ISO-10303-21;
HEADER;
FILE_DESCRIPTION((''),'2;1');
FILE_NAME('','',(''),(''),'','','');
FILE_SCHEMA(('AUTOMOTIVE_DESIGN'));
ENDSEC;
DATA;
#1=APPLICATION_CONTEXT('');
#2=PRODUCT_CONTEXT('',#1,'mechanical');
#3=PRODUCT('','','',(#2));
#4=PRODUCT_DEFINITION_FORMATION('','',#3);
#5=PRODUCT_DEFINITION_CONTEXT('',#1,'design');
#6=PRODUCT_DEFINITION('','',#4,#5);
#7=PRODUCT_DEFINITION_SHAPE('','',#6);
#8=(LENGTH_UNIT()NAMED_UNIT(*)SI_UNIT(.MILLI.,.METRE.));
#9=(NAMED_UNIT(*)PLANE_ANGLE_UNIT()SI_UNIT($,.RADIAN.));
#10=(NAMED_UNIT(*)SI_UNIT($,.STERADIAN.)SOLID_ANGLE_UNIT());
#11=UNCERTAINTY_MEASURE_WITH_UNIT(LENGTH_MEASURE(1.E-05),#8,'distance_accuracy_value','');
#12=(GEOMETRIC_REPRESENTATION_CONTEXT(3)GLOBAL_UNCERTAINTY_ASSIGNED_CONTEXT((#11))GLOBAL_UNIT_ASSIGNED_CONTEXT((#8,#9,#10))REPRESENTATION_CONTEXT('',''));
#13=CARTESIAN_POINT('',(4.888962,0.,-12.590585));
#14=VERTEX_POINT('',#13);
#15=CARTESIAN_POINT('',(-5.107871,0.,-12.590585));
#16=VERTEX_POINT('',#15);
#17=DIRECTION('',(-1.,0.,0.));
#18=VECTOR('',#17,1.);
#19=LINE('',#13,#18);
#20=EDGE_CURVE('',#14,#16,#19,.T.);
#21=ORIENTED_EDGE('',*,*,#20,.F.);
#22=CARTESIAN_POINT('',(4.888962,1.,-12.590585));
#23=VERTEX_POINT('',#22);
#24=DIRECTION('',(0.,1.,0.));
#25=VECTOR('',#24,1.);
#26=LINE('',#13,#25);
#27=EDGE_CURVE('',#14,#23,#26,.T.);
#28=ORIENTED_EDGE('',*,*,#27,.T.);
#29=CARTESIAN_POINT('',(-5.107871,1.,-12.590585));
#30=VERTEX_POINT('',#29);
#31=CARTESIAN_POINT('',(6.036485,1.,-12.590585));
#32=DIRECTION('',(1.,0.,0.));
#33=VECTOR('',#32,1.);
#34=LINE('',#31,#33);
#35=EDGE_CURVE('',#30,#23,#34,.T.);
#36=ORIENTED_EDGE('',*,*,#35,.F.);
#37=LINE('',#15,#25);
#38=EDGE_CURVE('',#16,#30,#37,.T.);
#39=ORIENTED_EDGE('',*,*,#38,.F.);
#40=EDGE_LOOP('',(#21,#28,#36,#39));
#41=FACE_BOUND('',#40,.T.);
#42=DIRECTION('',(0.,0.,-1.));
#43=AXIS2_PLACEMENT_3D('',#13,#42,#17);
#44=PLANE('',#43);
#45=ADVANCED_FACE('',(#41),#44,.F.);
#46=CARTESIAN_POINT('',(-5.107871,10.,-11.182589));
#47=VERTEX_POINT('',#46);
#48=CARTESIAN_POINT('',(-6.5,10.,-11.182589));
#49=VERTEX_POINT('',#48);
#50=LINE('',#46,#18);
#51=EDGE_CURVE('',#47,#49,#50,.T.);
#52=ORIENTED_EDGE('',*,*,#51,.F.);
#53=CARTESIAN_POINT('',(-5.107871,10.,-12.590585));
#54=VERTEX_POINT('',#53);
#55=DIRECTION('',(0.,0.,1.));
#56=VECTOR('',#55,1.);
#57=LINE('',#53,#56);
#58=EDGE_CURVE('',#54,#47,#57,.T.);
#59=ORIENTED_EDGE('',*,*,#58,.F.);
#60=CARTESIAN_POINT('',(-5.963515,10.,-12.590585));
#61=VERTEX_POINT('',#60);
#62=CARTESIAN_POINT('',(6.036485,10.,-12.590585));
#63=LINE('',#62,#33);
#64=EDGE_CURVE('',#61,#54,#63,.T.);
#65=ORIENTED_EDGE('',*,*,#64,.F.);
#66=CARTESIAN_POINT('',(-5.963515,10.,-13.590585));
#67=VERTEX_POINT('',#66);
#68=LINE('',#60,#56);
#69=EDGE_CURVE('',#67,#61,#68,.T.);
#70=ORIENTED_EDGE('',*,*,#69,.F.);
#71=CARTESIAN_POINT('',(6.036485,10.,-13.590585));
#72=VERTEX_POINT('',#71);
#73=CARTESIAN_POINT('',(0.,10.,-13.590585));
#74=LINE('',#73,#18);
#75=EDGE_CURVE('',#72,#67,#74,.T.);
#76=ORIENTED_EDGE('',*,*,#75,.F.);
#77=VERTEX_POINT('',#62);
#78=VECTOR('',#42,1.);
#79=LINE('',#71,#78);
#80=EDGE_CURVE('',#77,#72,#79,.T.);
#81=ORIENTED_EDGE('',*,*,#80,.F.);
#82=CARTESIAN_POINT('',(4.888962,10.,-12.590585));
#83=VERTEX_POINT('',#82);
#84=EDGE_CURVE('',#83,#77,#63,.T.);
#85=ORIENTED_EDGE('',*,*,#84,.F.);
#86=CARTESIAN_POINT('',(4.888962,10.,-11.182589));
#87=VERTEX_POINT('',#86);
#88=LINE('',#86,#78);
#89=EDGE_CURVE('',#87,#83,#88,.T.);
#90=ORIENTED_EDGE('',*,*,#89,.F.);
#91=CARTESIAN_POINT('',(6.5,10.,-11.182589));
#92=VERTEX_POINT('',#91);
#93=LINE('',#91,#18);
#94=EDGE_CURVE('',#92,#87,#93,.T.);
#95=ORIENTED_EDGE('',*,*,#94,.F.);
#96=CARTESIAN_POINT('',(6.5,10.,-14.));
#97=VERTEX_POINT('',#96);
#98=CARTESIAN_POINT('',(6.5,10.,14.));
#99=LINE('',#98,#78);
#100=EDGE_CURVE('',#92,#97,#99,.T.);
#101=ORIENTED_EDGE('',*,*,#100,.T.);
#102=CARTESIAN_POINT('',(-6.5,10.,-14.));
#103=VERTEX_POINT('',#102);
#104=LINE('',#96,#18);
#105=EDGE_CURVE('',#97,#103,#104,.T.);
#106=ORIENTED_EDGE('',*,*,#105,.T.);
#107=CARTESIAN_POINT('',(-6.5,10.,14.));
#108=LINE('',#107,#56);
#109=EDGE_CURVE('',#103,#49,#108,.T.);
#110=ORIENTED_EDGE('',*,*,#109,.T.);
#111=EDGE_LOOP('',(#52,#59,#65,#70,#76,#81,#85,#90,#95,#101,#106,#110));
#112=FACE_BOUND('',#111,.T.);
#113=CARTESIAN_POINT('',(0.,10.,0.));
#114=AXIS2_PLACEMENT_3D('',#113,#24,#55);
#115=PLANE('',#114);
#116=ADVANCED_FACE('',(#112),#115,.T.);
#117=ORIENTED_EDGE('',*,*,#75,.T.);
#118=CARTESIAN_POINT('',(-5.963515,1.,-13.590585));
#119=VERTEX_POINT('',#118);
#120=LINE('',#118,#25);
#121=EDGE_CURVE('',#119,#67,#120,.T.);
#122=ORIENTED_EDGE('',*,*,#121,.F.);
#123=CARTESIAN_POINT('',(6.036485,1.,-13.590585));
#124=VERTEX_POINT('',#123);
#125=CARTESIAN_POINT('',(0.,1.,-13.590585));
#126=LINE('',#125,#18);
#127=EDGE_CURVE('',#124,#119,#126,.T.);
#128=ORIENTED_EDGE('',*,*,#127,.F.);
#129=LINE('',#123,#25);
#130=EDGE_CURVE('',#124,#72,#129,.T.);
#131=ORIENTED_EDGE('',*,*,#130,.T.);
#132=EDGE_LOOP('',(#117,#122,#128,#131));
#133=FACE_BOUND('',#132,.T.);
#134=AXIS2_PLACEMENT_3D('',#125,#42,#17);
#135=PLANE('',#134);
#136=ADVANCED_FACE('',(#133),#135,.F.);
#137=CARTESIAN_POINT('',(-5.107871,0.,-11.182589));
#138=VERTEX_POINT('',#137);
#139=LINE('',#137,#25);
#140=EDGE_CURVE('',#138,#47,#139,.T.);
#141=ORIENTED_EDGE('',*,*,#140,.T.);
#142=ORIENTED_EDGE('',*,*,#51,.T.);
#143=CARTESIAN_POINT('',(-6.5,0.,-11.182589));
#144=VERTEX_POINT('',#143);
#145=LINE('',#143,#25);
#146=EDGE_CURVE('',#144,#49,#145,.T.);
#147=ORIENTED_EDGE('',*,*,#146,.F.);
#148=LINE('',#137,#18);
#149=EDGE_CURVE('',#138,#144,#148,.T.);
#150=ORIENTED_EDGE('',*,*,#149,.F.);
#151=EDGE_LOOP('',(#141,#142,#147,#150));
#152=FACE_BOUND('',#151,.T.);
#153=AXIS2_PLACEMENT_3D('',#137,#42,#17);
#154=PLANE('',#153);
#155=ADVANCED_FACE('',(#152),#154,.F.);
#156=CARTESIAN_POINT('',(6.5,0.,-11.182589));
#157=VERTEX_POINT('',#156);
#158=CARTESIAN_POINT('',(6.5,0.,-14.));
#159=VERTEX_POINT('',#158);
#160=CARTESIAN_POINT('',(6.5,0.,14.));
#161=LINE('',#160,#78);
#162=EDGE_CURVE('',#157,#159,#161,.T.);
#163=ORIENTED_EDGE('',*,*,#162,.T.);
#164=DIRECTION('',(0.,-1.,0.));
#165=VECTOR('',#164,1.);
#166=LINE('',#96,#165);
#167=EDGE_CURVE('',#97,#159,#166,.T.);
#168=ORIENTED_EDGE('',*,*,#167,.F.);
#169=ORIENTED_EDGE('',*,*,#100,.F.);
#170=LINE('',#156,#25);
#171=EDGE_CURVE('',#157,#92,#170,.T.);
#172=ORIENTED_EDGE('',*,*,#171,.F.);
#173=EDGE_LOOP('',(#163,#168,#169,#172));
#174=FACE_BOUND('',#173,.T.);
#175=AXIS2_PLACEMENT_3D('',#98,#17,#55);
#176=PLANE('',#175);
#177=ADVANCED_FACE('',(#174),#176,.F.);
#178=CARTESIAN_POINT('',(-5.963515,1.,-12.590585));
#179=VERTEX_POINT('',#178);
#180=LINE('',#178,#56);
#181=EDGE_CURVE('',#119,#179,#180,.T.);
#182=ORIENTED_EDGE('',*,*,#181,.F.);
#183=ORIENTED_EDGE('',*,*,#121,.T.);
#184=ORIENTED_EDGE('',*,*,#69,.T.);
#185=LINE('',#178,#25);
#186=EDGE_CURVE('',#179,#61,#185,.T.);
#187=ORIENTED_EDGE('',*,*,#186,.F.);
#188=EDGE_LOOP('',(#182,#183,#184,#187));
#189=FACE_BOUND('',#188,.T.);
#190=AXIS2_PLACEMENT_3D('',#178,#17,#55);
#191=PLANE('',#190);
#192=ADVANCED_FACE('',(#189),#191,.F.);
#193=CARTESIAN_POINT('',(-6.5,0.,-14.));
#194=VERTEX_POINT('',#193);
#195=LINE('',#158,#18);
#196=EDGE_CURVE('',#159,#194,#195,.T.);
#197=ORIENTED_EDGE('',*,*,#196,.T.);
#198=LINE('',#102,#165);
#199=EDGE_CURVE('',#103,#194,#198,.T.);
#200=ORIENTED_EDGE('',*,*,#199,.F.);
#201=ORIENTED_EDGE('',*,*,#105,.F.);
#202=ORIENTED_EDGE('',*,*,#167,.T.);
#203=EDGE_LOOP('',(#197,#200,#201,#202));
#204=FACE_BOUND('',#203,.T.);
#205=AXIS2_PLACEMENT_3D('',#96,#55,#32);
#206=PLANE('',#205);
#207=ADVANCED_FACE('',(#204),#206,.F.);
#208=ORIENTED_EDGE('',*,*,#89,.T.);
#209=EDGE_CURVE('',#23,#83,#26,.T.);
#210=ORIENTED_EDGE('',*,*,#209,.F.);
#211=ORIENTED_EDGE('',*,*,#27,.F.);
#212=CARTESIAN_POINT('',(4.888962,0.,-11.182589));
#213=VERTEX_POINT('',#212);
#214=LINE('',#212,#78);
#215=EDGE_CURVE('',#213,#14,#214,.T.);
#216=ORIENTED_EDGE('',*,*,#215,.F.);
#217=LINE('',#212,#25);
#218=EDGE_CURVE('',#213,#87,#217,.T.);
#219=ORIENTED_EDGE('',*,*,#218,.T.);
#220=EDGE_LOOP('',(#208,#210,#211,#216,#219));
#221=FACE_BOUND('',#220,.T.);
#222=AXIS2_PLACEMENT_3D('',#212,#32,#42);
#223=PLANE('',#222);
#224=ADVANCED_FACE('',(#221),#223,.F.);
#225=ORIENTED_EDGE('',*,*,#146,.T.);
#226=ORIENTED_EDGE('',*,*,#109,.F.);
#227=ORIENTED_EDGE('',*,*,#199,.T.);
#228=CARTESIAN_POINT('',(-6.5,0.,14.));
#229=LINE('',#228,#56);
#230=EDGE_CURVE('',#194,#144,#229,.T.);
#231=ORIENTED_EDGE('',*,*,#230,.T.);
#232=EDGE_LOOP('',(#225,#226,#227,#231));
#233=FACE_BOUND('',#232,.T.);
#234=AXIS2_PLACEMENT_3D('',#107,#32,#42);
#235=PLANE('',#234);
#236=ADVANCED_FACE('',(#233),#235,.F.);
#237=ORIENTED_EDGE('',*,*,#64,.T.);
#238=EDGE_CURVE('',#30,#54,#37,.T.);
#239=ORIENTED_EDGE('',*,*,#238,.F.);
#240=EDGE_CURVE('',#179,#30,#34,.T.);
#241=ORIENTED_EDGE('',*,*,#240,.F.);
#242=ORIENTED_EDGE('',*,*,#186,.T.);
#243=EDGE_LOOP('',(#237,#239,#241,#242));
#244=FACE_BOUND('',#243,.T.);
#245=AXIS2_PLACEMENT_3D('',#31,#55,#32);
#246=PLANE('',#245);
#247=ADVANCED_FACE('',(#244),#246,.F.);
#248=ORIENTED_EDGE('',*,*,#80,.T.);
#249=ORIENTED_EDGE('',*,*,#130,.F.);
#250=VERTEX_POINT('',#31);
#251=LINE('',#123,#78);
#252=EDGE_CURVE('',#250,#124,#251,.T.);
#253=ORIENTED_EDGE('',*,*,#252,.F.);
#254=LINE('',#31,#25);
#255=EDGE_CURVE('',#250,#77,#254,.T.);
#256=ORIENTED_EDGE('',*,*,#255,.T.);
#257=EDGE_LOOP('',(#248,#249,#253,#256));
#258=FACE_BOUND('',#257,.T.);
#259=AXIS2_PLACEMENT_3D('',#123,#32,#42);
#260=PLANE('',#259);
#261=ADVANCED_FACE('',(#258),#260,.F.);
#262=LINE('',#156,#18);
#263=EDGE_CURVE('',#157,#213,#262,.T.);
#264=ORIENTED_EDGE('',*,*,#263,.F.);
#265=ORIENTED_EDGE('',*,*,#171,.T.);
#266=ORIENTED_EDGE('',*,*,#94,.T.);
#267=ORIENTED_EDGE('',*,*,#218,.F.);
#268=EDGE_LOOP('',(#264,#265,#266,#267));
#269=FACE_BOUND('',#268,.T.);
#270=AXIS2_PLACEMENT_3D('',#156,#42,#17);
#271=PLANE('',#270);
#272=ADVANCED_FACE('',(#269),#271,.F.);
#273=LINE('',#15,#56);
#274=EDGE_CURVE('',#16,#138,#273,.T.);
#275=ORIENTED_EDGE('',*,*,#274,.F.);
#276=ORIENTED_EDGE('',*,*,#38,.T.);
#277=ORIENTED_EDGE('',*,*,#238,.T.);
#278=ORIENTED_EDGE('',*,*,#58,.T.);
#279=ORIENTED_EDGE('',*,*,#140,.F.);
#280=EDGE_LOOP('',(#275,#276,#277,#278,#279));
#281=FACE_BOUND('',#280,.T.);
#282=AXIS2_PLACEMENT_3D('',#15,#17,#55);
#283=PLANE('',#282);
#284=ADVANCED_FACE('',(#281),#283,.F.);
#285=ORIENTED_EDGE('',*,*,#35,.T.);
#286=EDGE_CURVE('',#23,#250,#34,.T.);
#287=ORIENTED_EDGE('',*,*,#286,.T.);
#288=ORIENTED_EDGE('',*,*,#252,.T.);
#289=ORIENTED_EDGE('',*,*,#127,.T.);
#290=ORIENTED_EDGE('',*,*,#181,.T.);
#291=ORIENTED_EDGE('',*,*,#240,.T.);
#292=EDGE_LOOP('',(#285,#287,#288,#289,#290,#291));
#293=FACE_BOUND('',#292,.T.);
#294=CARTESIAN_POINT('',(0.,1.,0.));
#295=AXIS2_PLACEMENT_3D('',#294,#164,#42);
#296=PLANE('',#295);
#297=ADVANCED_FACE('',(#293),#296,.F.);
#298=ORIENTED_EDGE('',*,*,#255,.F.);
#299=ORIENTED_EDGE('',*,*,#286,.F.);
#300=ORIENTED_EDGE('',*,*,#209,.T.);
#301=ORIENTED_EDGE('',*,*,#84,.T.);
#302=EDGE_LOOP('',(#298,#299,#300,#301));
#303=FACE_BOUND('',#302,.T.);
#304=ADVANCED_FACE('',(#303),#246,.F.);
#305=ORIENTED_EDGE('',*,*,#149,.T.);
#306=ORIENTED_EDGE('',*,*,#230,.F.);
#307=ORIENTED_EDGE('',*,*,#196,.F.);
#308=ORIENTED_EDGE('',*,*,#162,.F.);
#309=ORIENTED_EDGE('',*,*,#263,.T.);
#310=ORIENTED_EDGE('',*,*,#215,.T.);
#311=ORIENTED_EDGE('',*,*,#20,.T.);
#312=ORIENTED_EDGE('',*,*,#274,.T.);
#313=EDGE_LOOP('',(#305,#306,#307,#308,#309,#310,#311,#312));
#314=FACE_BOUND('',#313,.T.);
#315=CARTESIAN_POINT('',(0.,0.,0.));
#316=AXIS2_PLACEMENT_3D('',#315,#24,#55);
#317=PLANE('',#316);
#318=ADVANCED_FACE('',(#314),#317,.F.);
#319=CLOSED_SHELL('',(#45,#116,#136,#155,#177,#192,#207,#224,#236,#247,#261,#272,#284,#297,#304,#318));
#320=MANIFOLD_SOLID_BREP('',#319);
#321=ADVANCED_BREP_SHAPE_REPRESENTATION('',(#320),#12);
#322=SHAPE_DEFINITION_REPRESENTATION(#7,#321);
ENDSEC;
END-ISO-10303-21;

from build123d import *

# Parameters (mm, degrees)
SKETCH1_W           = 13
SKETCH1_H           = 28
BOSS_EXTRUDE1_DEPTH = 10
CUT_EXTRUDE1_DEPTH  = 9
CUT_EXTRUDE3_DEPTH  = 19.391574158


with BuildPart() as part:
    # Sketch1 → Boss-Extrude1 (new body)
    with BuildSketch(Plane(origin=(0, 0, 0), x_dir=(1, 0, 0), z_dir=(0, 1, 0))):
        Rectangle(SKETCH1_W, SKETCH1_H)
    extrude(amount=BOSS_EXTRUDE1_DEPTH)

    # Sketch2 → Cut-Extrude1 (cut)
    with BuildSketch(Plane(origin=(0, 10, 0), x_dir=(1, 0, 0), z_dir=(0, 1, 0))):
        Polygon((0, 13.590584793), (-5.963515209, 13.590584793), (-5.963515209, 12.590584793), (6.036484791, 12.590584793), (6.036484791, 13.590584793), align=None)
    extrude(amount=-CUT_EXTRUDE1_DEPTH, mode=Mode.SUBTRACT)

    # Sketch3 → Cut-Extrude3 (cut, through all)
    with BuildSketch(Plane(origin=(0, 10, 0), x_dir=(1, 0, 0), z_dir=(0, 1, 0))):
        Polygon((-5.107870795, 12.590584793), (-5.107870795, 11.182588561), (-6.5, 11.182588561), (-6.5, -14), (6.5, -14), (6.5, 11.182588561), (4.888962046, 11.182588561), (4.888962046, 12.590584793), align=None)
    extrude(amount=-CUT_EXTRUDE3_DEPTH, mode=Mode.SUBTRACT)


solid = part.part
